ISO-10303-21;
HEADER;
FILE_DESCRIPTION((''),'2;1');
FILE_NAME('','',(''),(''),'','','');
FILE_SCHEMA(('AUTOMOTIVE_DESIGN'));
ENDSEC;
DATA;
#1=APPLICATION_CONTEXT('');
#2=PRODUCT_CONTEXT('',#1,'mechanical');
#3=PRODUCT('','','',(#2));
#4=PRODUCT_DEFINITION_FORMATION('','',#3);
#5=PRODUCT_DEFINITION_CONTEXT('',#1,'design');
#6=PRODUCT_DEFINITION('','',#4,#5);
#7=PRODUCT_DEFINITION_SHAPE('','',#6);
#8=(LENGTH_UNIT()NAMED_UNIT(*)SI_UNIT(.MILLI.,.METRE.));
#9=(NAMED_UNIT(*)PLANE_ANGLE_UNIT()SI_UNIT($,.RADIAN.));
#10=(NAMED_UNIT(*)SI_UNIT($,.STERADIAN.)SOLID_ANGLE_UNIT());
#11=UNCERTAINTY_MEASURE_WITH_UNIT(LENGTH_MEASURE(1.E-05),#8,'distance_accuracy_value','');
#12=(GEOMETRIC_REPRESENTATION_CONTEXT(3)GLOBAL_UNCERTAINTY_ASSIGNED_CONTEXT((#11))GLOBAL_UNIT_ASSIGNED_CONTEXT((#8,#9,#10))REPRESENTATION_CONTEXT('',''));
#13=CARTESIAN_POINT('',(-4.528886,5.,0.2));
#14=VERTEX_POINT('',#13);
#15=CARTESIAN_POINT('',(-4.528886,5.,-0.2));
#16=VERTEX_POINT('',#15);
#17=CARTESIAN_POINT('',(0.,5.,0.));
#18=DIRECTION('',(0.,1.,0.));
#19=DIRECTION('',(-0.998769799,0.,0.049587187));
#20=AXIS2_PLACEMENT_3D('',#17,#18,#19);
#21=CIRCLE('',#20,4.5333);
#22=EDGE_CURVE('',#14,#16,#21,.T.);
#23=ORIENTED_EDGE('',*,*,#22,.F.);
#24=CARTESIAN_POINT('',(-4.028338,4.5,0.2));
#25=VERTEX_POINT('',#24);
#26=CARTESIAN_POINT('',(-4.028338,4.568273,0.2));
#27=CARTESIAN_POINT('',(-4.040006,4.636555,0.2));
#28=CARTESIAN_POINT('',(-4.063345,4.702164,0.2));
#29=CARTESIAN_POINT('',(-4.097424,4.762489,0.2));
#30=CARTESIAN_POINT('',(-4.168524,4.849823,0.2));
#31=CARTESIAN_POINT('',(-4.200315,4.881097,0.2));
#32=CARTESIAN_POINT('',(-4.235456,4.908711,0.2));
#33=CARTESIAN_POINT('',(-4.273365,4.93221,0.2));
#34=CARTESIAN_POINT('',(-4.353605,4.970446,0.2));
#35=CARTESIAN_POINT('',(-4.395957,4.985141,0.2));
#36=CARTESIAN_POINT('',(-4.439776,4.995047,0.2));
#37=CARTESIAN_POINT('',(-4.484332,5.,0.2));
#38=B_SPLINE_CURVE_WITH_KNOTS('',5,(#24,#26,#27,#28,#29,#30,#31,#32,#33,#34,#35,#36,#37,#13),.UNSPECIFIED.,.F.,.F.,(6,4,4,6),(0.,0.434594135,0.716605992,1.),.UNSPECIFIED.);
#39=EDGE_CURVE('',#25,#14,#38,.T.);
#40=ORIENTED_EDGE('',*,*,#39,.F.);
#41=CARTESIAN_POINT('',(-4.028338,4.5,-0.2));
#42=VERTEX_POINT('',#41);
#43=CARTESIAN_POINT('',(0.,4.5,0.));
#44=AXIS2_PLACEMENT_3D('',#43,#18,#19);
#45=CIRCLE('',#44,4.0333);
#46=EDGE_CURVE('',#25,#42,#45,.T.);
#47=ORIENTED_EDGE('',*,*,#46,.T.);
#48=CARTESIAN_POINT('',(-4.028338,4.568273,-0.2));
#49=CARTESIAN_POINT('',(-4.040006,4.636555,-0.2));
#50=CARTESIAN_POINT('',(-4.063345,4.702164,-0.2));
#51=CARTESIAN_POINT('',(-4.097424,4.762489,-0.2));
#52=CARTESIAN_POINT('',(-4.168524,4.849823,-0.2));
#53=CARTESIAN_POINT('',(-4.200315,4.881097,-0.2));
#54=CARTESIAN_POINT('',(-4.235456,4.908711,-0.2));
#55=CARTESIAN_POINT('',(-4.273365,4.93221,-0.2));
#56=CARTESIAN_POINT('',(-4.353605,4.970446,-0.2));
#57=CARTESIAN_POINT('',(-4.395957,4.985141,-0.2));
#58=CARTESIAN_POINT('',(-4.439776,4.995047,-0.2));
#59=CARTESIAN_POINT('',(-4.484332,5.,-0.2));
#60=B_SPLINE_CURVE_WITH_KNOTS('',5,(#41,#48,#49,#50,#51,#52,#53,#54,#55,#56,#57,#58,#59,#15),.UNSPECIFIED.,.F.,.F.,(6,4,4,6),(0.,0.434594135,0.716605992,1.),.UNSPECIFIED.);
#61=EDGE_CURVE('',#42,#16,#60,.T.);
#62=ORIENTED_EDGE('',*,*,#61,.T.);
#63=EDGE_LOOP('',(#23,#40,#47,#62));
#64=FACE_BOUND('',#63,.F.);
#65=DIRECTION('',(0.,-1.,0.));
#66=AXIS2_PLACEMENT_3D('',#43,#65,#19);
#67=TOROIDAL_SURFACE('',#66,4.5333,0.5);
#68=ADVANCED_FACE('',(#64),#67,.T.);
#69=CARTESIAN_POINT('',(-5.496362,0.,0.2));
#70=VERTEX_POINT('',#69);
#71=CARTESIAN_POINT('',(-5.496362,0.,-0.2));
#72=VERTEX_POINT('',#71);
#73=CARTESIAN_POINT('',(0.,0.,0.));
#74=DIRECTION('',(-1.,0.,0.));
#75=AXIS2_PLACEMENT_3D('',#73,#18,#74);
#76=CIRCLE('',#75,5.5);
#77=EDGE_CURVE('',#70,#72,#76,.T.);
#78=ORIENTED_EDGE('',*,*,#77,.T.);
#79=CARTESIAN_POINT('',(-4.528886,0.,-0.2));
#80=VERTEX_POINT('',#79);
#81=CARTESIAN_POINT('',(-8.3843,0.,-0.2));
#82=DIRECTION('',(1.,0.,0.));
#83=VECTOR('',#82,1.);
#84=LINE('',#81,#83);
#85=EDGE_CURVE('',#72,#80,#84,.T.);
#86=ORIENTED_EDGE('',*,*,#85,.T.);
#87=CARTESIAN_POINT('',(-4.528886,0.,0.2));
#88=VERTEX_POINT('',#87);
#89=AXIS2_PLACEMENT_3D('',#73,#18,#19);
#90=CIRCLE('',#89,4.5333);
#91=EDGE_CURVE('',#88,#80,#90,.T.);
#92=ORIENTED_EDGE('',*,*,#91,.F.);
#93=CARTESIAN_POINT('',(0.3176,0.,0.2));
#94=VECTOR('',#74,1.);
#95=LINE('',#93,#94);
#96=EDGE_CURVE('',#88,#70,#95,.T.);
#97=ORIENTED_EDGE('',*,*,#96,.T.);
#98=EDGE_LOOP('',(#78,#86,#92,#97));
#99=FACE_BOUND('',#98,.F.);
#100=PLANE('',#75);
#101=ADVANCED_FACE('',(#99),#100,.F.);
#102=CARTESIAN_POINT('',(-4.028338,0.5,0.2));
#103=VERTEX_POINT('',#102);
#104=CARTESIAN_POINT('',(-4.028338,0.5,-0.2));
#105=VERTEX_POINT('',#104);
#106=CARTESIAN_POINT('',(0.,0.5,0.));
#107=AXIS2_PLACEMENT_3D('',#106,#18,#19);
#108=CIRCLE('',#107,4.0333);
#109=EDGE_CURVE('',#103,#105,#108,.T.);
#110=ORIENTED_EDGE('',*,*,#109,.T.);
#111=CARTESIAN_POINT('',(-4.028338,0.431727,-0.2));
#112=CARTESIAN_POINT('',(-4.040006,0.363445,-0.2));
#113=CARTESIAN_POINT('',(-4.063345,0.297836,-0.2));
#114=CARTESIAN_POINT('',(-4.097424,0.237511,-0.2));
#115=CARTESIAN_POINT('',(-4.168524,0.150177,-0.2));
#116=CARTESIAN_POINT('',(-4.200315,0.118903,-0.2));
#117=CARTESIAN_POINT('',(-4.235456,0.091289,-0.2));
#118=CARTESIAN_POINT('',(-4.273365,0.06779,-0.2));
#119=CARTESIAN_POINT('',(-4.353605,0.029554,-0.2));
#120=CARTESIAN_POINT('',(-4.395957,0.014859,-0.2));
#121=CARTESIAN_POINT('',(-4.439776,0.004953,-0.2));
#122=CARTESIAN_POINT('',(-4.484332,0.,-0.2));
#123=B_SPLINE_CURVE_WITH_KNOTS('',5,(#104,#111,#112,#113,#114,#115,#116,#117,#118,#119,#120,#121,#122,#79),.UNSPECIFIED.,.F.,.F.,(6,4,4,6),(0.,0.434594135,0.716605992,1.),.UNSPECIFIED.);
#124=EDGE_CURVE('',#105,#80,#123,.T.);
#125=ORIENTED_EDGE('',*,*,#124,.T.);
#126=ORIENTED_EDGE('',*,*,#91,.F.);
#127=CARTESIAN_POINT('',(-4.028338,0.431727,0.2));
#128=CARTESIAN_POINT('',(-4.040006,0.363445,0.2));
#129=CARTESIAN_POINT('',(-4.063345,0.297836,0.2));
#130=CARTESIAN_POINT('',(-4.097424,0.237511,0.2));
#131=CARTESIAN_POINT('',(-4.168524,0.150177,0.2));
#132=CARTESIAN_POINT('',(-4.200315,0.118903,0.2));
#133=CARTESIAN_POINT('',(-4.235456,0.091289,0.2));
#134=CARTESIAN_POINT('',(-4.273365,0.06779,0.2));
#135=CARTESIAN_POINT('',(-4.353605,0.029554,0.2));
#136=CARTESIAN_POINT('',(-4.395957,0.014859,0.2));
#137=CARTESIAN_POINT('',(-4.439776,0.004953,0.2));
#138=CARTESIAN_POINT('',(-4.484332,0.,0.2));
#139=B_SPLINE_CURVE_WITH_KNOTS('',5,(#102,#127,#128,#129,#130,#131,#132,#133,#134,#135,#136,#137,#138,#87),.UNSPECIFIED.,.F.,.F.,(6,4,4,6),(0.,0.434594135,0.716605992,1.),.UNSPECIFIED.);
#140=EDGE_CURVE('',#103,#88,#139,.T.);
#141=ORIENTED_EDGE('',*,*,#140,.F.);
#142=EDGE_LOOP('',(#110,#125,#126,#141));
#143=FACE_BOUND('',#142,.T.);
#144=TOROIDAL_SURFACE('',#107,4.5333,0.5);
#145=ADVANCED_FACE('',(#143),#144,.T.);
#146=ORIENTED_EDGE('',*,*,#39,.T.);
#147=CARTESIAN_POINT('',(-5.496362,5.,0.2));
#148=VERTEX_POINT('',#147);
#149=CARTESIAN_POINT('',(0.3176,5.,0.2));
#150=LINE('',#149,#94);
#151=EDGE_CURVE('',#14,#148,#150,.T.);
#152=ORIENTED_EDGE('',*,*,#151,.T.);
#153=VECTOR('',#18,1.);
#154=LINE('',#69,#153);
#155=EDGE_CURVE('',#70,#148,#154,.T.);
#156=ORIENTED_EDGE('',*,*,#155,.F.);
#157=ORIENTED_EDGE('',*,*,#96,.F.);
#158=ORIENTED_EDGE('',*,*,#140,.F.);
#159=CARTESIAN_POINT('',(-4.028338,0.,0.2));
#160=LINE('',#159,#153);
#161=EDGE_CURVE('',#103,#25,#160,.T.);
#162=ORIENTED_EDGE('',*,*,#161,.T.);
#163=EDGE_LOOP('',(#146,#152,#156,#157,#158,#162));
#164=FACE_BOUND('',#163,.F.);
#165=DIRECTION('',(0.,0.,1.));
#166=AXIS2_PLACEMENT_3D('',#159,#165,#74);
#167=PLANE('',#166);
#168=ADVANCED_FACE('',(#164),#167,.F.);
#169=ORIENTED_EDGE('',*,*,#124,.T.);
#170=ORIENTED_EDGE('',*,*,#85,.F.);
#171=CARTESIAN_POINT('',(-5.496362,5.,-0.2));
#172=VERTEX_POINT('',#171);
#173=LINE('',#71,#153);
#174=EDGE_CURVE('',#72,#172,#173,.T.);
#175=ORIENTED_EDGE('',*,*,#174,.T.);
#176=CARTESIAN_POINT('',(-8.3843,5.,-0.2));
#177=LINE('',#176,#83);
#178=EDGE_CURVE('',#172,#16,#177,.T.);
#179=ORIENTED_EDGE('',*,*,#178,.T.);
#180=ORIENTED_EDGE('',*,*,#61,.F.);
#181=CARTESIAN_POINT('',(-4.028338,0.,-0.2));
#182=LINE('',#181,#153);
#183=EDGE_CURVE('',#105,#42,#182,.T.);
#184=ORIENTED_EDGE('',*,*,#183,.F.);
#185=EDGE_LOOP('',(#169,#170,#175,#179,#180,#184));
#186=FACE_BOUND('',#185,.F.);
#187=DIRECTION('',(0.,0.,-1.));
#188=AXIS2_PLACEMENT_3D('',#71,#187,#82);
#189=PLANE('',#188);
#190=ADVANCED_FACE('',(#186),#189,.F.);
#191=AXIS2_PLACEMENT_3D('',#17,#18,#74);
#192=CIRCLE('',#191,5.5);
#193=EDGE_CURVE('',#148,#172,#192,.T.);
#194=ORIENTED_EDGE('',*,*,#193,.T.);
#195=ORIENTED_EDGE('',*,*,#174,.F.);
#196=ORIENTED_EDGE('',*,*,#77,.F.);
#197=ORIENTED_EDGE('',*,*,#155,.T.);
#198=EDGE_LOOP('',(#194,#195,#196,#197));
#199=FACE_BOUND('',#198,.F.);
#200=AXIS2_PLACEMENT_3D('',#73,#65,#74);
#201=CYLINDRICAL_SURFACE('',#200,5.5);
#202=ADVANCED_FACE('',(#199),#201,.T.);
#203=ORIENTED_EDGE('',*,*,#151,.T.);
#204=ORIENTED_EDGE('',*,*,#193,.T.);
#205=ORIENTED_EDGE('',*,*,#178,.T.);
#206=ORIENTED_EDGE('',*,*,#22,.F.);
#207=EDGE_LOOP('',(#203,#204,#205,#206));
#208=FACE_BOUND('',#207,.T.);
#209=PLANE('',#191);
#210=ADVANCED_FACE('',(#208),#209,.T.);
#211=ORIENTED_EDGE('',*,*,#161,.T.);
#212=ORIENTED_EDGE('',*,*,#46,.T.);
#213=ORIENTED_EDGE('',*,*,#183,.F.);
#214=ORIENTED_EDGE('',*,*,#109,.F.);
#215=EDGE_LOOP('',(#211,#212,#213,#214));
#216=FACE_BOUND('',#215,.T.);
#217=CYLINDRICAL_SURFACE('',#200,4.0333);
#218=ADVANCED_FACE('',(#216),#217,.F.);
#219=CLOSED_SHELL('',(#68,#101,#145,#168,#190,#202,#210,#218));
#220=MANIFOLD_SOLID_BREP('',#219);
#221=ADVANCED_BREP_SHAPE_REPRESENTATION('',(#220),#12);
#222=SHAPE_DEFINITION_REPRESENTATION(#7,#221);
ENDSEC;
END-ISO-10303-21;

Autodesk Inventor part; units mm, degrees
ref_plane "YZ Plane" through (0, 0, 0) normal (1, 0, 0) x (0, 1, 0)
ref_plane "XZ Plane" through (0, 0, 0) normal (0, 1, 0) x (-1, 0, 0)
ref_plane "XY Plane" through (0, 0, 0) normal (0, 0, 1) x (1, 0, 0)
sketch "Эскиз1" plane through (0, 0, 0) normal (0, 1, 0) x (-1, 0, 0)
  circle A0 centre (0, 0) radius 4.0333
  circle A1 centre (0, 0) radius 5.5
  line L0 (-0.3176, 0.2) -> (8.3843, 0.2)
  line L1 (8.3843, 0.2) -> (8.3843, -0.2)
  line L2 (8.3843, -0.2) -> (-0.3176, -0.2)
  line L3 (-0.3176, -0.2) -> (-0.3176, 0.2)
  line L4 (-0.3176, 0.2) -> (8.3843, -0.2) construction
  line L5 (8.3843, 0.2) -> (-0.3176, -0.2) construction
  point P0 (4.0333, 0)
  point P1 (5.4964, -0.2)
  point P2 (4.0284, -0.2)
  point P3 (4.0284, 0.2)
  point P4 (5.4964, 0.2)
  dimension "d0" = 8.0667
  dimension "d1" = 11
  dimension "d2" = 0.4
extrude "Выдавливание1" add sketch "Эскиз1" along normal blind 5 contours A0 L2 A1 L0 picked at (-4.9726, 0.1659)
fillet "Сопряжение1" radius 0.5 2 edges at (4.0333, 0, 0) (4.0333, 5, 0)
properties part number "fittingRing" material "Пластик ПАЭК"
